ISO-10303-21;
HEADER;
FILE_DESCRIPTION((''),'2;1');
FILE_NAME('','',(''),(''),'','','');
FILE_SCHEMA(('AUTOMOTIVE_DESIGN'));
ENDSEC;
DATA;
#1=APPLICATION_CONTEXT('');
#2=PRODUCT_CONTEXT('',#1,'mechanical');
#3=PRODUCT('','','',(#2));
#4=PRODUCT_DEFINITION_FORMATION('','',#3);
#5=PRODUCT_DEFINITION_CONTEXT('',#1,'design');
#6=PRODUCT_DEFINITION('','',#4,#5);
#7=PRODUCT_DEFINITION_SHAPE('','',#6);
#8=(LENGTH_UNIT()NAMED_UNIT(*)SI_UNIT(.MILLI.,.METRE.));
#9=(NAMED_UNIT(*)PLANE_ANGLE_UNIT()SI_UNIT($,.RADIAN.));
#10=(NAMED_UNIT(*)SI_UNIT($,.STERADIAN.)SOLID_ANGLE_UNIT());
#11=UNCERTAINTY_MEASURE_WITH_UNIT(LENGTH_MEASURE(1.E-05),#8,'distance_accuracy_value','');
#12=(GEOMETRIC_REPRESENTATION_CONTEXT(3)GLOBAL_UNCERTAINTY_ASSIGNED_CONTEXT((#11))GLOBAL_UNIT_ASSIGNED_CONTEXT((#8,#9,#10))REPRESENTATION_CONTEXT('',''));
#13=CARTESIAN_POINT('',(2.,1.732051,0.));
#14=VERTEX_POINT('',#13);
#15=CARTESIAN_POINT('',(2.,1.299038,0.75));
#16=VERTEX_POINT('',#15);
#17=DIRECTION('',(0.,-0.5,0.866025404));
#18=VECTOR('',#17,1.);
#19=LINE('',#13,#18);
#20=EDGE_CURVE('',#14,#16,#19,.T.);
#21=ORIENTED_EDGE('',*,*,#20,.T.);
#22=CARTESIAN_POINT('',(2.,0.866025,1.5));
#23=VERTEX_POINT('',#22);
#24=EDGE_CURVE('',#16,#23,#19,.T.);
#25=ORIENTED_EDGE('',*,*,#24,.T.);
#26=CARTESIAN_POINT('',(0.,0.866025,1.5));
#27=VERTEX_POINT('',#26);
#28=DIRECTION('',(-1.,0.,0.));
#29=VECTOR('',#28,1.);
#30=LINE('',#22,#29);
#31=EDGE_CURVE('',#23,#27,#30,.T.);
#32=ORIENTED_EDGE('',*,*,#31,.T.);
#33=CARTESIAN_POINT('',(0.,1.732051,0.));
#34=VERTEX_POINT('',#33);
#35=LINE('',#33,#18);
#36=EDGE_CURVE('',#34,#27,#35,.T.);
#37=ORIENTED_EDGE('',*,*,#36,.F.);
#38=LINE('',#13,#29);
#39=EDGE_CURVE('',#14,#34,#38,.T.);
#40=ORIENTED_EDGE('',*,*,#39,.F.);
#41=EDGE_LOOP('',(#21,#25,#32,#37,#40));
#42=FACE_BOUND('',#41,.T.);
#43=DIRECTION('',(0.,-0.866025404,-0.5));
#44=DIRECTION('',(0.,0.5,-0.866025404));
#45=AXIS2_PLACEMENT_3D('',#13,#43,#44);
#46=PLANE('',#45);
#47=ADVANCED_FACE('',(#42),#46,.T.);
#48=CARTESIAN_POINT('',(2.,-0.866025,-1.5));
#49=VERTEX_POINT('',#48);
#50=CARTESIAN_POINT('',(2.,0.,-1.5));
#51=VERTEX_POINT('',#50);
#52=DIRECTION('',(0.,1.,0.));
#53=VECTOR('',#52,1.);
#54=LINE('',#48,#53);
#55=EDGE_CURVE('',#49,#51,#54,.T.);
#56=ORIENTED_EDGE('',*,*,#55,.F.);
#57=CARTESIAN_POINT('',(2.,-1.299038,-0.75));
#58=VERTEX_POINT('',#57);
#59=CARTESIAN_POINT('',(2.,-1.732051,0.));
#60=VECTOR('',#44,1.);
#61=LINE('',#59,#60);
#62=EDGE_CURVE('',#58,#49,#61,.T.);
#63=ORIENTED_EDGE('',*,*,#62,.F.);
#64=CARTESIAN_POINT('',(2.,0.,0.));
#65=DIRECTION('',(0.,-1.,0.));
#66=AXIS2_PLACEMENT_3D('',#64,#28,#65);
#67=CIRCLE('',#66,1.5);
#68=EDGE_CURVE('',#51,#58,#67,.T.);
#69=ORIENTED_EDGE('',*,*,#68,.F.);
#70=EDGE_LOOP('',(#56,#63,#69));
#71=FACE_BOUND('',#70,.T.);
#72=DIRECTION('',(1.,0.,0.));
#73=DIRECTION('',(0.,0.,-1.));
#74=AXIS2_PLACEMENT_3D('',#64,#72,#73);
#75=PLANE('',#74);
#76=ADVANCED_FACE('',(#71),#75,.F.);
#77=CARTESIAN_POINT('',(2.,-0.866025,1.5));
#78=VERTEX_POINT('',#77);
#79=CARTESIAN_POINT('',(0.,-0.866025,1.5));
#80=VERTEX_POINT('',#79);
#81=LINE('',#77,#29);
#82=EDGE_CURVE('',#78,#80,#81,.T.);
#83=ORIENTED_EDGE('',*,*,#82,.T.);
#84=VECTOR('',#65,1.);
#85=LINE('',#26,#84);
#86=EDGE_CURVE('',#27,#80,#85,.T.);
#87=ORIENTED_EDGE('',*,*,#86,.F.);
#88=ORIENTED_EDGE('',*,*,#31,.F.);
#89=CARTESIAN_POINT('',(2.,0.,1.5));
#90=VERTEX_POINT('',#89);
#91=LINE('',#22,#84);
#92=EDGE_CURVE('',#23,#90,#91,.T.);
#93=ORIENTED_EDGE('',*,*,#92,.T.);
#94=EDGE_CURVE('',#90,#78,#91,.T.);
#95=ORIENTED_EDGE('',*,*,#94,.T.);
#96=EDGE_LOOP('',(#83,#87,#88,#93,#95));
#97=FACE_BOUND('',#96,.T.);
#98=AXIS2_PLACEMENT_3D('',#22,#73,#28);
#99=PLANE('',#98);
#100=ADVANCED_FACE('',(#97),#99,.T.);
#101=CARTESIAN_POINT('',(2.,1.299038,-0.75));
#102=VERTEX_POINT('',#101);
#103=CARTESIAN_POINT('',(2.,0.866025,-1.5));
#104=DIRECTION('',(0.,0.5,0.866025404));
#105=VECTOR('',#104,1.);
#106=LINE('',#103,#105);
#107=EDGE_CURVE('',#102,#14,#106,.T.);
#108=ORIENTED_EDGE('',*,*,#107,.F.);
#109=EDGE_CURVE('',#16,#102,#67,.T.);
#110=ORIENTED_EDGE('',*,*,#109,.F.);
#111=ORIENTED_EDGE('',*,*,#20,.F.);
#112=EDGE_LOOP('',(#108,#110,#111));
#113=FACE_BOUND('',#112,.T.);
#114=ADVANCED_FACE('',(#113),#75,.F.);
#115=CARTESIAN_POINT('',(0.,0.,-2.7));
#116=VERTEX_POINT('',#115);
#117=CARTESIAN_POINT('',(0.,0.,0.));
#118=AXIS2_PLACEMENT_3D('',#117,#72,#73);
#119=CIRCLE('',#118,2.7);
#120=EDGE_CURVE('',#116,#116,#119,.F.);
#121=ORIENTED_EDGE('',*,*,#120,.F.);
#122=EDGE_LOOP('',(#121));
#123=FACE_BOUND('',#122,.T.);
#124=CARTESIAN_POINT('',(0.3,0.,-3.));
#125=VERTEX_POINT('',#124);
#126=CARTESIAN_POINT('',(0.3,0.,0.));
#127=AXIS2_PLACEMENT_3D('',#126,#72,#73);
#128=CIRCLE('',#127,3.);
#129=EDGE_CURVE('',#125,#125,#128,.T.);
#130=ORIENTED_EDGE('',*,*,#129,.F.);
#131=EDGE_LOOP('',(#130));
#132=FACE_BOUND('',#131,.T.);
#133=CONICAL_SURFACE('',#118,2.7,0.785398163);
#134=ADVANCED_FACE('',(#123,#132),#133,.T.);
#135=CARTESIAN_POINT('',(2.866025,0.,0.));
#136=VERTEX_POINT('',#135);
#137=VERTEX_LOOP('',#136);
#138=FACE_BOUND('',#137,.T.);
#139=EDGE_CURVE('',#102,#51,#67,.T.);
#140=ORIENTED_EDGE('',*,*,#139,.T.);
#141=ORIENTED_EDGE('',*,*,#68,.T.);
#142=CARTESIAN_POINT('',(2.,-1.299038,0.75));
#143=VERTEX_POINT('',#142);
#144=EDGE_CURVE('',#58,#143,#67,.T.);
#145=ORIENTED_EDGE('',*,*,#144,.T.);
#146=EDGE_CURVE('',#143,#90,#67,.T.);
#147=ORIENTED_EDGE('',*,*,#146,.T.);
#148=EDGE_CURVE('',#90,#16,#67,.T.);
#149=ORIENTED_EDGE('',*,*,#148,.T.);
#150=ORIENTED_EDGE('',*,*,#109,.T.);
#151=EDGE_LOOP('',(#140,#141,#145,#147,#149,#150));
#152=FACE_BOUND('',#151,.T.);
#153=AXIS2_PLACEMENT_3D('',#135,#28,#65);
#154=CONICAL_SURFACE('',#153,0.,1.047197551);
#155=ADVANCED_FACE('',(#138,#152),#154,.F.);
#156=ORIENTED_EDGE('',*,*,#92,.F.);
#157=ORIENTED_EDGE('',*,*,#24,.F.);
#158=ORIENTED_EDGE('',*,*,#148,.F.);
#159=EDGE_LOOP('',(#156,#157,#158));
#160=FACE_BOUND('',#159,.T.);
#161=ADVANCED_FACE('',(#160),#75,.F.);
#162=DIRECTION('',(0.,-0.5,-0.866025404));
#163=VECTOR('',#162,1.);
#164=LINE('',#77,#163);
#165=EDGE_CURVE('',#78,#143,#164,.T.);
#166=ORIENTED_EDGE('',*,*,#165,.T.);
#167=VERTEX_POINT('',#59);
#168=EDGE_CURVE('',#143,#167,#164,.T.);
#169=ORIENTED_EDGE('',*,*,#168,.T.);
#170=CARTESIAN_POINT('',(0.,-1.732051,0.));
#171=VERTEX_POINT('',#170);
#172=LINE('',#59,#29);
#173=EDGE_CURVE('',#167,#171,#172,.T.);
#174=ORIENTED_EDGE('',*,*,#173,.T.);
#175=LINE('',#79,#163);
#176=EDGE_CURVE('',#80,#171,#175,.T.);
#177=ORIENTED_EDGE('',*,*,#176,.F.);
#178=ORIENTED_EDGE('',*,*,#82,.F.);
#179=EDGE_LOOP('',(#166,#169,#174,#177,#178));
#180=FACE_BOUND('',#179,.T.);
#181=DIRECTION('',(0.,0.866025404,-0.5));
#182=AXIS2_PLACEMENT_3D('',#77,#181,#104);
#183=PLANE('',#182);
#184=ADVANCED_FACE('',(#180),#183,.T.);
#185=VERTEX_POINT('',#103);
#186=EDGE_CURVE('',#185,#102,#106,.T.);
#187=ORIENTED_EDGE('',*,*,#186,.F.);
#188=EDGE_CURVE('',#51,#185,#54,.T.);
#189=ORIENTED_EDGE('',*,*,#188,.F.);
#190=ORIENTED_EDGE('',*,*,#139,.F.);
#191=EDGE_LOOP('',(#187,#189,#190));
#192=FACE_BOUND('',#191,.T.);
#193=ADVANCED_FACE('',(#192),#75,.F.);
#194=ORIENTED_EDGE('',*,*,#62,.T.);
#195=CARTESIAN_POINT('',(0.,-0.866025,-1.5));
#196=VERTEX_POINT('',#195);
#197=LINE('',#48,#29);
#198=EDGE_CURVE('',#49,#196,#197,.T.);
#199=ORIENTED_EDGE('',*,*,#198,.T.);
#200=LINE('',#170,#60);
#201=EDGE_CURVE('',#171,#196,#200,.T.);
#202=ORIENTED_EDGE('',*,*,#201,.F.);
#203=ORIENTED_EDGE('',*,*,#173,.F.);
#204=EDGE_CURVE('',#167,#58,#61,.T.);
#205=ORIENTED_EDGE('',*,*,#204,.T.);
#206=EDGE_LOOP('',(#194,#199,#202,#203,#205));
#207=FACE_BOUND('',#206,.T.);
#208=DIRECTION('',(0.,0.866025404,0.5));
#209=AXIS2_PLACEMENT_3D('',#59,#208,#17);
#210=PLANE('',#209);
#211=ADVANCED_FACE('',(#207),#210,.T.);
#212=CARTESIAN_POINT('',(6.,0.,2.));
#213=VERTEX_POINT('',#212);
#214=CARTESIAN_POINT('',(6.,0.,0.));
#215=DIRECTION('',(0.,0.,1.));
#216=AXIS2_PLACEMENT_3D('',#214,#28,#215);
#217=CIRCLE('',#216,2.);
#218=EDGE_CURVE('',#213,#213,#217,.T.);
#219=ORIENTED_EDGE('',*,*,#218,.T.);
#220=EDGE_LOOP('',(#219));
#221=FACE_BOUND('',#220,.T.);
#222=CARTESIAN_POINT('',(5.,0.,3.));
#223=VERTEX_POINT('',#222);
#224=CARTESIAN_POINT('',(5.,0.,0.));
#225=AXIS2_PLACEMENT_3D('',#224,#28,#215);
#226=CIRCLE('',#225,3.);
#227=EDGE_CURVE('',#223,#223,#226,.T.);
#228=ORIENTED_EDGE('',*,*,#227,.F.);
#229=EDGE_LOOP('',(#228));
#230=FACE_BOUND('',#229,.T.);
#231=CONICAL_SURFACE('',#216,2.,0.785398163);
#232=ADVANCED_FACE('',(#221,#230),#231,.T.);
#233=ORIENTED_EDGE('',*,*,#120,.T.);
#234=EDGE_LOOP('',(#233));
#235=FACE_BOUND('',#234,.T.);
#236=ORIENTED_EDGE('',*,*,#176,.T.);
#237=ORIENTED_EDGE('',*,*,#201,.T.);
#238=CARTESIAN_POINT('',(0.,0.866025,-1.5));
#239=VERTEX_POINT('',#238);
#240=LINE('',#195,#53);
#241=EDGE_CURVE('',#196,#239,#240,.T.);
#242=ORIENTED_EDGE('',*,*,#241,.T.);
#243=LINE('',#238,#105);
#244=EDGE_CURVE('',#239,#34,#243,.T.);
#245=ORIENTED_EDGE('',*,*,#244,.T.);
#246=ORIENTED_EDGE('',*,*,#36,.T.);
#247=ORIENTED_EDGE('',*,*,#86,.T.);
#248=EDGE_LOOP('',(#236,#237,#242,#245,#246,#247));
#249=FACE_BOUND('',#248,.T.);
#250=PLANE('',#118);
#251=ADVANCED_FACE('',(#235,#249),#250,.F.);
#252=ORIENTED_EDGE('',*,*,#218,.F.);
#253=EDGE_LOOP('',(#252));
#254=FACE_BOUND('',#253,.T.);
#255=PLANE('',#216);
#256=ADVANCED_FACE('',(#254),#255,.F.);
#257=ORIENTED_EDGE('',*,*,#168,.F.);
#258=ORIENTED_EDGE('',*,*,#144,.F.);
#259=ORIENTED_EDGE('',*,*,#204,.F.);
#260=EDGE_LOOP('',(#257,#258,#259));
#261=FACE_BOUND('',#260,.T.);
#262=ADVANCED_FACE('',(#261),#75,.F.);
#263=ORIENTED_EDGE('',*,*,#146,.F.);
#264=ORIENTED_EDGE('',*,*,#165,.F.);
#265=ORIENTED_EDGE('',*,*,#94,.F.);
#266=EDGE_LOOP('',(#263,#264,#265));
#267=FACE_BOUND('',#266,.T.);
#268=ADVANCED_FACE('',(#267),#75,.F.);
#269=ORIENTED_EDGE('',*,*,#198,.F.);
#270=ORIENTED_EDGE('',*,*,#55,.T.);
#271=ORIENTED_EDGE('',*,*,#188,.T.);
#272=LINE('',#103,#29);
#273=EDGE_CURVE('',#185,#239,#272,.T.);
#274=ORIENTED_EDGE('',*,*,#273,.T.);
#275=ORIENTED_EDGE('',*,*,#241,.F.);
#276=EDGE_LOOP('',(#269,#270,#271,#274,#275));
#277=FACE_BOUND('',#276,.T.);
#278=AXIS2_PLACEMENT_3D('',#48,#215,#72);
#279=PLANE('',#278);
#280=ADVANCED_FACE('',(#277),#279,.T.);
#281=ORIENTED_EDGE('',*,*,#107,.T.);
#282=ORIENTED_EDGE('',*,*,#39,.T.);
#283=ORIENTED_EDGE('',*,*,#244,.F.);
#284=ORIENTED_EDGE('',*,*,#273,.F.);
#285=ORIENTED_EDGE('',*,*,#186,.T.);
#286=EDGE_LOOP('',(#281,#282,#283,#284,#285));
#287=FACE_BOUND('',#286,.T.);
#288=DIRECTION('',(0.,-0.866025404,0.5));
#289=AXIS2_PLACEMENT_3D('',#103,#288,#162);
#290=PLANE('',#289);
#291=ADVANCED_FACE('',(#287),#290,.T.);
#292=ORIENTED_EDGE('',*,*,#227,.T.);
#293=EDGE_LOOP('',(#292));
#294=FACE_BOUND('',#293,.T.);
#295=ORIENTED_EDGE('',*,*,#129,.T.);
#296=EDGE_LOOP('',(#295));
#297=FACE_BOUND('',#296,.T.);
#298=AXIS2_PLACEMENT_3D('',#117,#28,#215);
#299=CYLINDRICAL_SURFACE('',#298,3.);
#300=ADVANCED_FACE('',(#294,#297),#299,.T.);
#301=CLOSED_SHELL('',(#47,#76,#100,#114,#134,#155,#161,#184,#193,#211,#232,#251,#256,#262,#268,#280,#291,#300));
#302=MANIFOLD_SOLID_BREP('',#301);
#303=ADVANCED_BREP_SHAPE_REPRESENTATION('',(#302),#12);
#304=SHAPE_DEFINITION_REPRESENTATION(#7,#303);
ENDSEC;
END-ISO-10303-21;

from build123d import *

# Parameters (mm, degrees)
CHAMFER1_SIZE      = 0.3
CUT_EXTRUDE1_DEPTH = 2


with BuildPart() as part:
    # Sketch1 → Revolve1 (revolve)
    with BuildSketch(Plane.XY, mode=Mode.PRIVATE) as revolve1_sk:
        Polygon((5, 3), (6, 2), (6, 0), (0, 0), (0, 3), align=None)
    revolve(revolve1_sk.sketch.rotate(Axis((0, 0, 0), (1, 0, 0)), 90), axis=Axis((0, 0, 0), (1, 0, 0)))

    # Chamfer1
    chamfer1_edges = [part.edges().sort_by_distance(p)[0] for p in [
        (0, 0, -3),
    ]]
    chamfer(chamfer1_edges, length=CHAMFER1_SIZE)

    # Sketch2 → Cut-Extrude1 (cut)
    with BuildSketch(Plane(origin=(0, 0, 0), x_dir=(0, 0, -1), z_dir=(1, 0, 0))):
        Polygon((0, 1.732050808), (-1.5, 0.866025404), (-1.5, -0.866025404), (0, -1.732050808), (1.5, -0.866025404), (1.5, 0.866025404), align=None)
    extrude(amount=CUT_EXTRUDE1_DEPTH, mode=Mode.SUBTRACT)

    # Sketch3 → Cut-Revolve1 (revolve, cut)
    with BuildSketch(Plane.XY, mode=Mode.PRIVATE) as cut_revolve1_sk:
        Polygon((2.866025404, 0), (2, 1.5), (2, 0), align=None)
    revolve(cut_revolve1_sk.sketch.rotate(Axis((2, 0, 0), (1, 0, 0)), 270), axis=Axis((2, 0, 0), (1, 0, 0)), mode=Mode.SUBTRACT)


solid = part.part
